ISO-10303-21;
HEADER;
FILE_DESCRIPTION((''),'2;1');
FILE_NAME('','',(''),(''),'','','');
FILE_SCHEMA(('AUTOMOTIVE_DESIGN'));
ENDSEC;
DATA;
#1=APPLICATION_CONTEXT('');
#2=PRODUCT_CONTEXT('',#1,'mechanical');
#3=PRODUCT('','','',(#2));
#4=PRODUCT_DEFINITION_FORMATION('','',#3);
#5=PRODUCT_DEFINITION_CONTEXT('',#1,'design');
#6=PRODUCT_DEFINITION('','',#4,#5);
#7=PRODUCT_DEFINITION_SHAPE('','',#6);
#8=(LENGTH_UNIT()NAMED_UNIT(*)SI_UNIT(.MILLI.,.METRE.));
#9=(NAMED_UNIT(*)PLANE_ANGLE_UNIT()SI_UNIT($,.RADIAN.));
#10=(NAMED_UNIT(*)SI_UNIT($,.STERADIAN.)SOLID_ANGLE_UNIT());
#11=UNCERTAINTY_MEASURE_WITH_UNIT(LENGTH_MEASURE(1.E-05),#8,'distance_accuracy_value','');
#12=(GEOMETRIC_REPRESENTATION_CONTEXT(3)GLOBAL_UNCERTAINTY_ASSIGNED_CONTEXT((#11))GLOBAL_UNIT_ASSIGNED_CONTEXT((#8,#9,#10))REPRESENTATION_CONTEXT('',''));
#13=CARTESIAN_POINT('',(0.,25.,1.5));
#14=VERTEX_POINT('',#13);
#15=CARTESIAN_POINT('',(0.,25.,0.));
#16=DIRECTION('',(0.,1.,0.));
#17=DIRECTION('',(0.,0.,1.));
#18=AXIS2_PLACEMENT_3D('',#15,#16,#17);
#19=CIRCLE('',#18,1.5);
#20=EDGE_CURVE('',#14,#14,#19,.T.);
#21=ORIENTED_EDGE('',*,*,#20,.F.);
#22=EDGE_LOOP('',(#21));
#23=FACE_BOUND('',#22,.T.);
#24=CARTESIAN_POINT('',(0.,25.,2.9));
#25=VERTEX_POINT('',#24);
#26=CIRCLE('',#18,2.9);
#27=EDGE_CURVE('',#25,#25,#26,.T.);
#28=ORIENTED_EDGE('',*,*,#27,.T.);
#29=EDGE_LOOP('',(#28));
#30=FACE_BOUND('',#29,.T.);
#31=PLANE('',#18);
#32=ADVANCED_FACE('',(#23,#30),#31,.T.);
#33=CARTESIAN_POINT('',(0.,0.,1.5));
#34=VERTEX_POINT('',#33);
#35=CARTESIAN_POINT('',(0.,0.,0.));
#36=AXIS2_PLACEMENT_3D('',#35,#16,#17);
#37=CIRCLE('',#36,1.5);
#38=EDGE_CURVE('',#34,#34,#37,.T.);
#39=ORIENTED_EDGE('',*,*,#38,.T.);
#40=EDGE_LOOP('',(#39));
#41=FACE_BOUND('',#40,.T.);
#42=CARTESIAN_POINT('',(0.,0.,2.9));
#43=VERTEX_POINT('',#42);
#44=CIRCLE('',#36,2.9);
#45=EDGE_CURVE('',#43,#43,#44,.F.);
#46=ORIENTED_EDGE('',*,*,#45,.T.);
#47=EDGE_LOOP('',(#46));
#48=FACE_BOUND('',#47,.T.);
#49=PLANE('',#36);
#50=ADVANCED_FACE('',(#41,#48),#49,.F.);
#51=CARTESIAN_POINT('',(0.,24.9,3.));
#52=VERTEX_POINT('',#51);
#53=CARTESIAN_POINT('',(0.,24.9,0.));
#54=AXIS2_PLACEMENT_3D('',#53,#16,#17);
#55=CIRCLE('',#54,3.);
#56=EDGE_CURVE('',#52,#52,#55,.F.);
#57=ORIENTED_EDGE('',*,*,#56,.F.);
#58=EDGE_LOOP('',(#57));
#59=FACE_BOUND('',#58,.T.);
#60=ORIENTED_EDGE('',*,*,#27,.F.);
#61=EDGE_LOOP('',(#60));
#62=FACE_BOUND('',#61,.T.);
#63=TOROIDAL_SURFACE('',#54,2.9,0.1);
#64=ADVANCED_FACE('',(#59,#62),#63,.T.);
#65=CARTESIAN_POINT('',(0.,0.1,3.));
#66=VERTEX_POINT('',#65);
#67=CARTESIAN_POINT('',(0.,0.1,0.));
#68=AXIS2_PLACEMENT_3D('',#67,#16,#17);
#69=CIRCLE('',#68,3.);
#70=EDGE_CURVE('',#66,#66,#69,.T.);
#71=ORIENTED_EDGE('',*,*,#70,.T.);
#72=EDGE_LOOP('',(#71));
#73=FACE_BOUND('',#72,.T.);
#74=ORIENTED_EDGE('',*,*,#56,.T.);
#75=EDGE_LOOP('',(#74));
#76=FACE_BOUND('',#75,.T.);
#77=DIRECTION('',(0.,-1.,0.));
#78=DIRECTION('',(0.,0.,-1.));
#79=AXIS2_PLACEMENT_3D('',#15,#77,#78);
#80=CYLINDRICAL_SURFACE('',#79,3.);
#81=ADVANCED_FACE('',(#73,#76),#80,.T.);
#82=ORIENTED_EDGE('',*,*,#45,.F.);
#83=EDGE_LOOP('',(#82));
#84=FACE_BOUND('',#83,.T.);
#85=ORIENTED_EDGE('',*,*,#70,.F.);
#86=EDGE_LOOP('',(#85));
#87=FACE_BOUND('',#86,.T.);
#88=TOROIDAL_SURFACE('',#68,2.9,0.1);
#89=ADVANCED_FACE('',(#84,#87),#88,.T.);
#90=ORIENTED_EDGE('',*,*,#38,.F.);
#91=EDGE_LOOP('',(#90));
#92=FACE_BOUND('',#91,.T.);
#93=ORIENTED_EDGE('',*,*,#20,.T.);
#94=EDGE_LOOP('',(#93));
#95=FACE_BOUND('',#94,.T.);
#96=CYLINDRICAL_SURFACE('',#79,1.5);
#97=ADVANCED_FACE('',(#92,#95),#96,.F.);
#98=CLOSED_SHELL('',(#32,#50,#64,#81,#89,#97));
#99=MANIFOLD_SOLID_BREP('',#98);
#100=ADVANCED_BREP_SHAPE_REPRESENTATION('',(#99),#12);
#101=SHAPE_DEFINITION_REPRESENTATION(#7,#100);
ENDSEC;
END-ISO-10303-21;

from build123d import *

# Parameters (mm, degrees)
SKETCH_1_R      = 3
SKETCH_1_R_2    = 1.5
EXTRUDE_1_DEPTH = 25
FILLET_1_R      = 0.1


with BuildPart() as part:
    # ｽｹｯﾁ1 → ﾎﾞｽ - 押し出し1 (new body)
    with BuildSketch(Plane(origin=(0, 0, 0), x_dir=(1, 0, 0), z_dir=(0, 1, 0))):
        with Locations(Location((0, 0, 0), (0, 0, 270))):
            Circle(SKETCH_1_R)
        with Locations(Location((0, 0, 0), (0, 0, 270))):
            Circle(SKETCH_1_R_2, mode=Mode.SUBTRACT)
    extrude(amount=EXTRUDE_1_DEPTH)

    # ﾌｨﾚｯﾄ1
    fillet_1_edges = [part.edges().sort_by_distance(p)[0] for p in [
        (0, 0, -3),
        (0, 25, -3),
    ]]
    fillet(fillet_1_edges, radius=FILLET_1_R)


solid = part.part
